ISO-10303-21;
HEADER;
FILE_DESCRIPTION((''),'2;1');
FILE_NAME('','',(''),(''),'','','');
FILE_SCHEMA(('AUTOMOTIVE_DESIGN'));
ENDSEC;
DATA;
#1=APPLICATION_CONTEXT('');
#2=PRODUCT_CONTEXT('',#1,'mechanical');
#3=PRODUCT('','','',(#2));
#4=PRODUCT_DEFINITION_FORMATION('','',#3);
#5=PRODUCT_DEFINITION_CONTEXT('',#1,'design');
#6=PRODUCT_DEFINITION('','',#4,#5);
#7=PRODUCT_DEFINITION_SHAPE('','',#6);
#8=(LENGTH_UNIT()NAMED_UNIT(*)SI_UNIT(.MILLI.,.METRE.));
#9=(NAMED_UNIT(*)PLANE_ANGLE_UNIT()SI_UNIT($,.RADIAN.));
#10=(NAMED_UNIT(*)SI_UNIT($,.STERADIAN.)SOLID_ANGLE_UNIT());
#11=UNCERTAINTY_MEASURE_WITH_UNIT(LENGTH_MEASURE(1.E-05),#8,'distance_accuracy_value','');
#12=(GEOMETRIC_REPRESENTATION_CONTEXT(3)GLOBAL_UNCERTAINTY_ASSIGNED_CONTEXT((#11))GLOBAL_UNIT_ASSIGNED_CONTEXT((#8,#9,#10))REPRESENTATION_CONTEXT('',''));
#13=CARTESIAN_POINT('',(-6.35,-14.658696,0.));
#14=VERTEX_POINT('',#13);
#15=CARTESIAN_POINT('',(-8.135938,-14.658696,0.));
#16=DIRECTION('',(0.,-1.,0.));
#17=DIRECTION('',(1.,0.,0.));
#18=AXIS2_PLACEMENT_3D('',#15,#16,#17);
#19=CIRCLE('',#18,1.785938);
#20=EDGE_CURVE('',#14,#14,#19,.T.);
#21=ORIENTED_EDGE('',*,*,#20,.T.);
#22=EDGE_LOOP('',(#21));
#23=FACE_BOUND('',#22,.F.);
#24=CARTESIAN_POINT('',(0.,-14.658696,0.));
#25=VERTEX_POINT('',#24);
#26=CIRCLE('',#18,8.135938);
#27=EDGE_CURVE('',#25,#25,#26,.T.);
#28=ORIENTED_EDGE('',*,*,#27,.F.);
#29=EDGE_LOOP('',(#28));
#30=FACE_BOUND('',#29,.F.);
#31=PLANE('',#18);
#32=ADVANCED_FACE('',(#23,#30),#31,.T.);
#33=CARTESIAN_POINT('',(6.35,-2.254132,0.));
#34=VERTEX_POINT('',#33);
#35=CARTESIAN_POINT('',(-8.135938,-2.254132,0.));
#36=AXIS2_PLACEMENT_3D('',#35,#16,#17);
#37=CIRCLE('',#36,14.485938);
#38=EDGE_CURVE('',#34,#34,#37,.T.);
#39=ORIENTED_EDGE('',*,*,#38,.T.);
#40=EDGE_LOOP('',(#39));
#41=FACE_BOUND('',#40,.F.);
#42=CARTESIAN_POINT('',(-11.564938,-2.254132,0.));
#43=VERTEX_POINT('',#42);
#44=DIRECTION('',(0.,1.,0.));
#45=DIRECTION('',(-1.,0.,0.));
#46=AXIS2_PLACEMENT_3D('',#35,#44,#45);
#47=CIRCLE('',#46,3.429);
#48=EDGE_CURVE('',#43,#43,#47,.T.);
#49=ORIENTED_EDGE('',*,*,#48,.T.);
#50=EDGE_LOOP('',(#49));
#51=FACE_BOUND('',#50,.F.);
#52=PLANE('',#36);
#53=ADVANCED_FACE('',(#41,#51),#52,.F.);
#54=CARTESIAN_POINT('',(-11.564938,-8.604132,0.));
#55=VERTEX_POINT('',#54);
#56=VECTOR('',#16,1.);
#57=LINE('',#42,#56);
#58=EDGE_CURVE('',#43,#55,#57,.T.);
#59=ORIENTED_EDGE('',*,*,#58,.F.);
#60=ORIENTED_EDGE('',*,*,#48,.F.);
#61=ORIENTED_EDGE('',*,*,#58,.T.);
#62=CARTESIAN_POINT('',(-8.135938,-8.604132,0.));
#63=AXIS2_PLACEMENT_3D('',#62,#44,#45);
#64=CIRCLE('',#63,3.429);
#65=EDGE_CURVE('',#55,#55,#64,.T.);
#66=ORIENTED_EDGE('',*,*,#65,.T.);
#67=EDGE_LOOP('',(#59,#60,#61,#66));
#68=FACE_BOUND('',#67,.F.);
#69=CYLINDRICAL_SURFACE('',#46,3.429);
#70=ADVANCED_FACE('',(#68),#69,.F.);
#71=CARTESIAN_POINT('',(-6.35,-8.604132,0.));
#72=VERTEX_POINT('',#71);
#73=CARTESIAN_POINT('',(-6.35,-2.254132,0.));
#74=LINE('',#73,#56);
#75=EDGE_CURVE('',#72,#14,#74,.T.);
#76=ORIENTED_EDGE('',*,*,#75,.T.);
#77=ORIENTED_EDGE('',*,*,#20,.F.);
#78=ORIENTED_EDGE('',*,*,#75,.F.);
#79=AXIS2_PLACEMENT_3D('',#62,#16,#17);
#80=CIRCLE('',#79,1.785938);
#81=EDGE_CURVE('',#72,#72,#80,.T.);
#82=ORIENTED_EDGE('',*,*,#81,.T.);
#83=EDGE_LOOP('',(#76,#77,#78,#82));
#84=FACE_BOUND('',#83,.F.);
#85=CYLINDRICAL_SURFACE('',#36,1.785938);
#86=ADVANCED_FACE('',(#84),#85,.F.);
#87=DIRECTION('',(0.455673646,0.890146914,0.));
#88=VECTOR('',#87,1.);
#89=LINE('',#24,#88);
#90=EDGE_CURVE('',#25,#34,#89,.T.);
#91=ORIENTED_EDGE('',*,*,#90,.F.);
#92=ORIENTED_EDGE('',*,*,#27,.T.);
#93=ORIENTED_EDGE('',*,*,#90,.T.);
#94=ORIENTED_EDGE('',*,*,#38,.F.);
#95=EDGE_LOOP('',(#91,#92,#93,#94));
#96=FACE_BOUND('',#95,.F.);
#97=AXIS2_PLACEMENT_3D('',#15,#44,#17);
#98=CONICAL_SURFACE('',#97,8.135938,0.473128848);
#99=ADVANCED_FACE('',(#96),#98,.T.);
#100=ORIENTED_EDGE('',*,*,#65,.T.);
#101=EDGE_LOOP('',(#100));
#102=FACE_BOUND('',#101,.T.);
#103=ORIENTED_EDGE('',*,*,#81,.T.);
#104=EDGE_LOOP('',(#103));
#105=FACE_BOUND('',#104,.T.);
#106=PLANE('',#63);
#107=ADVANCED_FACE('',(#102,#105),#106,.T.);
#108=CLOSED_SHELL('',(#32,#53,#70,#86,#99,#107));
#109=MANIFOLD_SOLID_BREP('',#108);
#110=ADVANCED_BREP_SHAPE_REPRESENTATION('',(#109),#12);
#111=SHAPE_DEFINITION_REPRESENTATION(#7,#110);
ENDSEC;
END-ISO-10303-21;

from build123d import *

# Parameters (mm, degrees)
F2_R     = 3.429
F3_DEPTH = 6.35


with BuildPart() as f1:
    # F0 (on Top) → F1 (revolve)
    with BuildSketch(Plane.XY):
        Polygon((-6.35, -2.254132), (-6.35, -14.658696), (0, -14.658696), (6.35, -2.254132), align=None)
    revolve(axis=Axis((-8.135938, -8.604132, 0), (0, -1, 0)))

    # F2 (on face) → F3 (cut)
    with BuildSketch(Plane(origin=(0, -2.254132, 0), x_dir=(-1, 0, 0), z_dir=(0, 1, 0))):
        with Locations((8.135938, 0)):
            Circle(F2_R)
    extrude(amount=-F3_DEPTH, mode=Mode.SUBTRACT)


solid = f1.part
